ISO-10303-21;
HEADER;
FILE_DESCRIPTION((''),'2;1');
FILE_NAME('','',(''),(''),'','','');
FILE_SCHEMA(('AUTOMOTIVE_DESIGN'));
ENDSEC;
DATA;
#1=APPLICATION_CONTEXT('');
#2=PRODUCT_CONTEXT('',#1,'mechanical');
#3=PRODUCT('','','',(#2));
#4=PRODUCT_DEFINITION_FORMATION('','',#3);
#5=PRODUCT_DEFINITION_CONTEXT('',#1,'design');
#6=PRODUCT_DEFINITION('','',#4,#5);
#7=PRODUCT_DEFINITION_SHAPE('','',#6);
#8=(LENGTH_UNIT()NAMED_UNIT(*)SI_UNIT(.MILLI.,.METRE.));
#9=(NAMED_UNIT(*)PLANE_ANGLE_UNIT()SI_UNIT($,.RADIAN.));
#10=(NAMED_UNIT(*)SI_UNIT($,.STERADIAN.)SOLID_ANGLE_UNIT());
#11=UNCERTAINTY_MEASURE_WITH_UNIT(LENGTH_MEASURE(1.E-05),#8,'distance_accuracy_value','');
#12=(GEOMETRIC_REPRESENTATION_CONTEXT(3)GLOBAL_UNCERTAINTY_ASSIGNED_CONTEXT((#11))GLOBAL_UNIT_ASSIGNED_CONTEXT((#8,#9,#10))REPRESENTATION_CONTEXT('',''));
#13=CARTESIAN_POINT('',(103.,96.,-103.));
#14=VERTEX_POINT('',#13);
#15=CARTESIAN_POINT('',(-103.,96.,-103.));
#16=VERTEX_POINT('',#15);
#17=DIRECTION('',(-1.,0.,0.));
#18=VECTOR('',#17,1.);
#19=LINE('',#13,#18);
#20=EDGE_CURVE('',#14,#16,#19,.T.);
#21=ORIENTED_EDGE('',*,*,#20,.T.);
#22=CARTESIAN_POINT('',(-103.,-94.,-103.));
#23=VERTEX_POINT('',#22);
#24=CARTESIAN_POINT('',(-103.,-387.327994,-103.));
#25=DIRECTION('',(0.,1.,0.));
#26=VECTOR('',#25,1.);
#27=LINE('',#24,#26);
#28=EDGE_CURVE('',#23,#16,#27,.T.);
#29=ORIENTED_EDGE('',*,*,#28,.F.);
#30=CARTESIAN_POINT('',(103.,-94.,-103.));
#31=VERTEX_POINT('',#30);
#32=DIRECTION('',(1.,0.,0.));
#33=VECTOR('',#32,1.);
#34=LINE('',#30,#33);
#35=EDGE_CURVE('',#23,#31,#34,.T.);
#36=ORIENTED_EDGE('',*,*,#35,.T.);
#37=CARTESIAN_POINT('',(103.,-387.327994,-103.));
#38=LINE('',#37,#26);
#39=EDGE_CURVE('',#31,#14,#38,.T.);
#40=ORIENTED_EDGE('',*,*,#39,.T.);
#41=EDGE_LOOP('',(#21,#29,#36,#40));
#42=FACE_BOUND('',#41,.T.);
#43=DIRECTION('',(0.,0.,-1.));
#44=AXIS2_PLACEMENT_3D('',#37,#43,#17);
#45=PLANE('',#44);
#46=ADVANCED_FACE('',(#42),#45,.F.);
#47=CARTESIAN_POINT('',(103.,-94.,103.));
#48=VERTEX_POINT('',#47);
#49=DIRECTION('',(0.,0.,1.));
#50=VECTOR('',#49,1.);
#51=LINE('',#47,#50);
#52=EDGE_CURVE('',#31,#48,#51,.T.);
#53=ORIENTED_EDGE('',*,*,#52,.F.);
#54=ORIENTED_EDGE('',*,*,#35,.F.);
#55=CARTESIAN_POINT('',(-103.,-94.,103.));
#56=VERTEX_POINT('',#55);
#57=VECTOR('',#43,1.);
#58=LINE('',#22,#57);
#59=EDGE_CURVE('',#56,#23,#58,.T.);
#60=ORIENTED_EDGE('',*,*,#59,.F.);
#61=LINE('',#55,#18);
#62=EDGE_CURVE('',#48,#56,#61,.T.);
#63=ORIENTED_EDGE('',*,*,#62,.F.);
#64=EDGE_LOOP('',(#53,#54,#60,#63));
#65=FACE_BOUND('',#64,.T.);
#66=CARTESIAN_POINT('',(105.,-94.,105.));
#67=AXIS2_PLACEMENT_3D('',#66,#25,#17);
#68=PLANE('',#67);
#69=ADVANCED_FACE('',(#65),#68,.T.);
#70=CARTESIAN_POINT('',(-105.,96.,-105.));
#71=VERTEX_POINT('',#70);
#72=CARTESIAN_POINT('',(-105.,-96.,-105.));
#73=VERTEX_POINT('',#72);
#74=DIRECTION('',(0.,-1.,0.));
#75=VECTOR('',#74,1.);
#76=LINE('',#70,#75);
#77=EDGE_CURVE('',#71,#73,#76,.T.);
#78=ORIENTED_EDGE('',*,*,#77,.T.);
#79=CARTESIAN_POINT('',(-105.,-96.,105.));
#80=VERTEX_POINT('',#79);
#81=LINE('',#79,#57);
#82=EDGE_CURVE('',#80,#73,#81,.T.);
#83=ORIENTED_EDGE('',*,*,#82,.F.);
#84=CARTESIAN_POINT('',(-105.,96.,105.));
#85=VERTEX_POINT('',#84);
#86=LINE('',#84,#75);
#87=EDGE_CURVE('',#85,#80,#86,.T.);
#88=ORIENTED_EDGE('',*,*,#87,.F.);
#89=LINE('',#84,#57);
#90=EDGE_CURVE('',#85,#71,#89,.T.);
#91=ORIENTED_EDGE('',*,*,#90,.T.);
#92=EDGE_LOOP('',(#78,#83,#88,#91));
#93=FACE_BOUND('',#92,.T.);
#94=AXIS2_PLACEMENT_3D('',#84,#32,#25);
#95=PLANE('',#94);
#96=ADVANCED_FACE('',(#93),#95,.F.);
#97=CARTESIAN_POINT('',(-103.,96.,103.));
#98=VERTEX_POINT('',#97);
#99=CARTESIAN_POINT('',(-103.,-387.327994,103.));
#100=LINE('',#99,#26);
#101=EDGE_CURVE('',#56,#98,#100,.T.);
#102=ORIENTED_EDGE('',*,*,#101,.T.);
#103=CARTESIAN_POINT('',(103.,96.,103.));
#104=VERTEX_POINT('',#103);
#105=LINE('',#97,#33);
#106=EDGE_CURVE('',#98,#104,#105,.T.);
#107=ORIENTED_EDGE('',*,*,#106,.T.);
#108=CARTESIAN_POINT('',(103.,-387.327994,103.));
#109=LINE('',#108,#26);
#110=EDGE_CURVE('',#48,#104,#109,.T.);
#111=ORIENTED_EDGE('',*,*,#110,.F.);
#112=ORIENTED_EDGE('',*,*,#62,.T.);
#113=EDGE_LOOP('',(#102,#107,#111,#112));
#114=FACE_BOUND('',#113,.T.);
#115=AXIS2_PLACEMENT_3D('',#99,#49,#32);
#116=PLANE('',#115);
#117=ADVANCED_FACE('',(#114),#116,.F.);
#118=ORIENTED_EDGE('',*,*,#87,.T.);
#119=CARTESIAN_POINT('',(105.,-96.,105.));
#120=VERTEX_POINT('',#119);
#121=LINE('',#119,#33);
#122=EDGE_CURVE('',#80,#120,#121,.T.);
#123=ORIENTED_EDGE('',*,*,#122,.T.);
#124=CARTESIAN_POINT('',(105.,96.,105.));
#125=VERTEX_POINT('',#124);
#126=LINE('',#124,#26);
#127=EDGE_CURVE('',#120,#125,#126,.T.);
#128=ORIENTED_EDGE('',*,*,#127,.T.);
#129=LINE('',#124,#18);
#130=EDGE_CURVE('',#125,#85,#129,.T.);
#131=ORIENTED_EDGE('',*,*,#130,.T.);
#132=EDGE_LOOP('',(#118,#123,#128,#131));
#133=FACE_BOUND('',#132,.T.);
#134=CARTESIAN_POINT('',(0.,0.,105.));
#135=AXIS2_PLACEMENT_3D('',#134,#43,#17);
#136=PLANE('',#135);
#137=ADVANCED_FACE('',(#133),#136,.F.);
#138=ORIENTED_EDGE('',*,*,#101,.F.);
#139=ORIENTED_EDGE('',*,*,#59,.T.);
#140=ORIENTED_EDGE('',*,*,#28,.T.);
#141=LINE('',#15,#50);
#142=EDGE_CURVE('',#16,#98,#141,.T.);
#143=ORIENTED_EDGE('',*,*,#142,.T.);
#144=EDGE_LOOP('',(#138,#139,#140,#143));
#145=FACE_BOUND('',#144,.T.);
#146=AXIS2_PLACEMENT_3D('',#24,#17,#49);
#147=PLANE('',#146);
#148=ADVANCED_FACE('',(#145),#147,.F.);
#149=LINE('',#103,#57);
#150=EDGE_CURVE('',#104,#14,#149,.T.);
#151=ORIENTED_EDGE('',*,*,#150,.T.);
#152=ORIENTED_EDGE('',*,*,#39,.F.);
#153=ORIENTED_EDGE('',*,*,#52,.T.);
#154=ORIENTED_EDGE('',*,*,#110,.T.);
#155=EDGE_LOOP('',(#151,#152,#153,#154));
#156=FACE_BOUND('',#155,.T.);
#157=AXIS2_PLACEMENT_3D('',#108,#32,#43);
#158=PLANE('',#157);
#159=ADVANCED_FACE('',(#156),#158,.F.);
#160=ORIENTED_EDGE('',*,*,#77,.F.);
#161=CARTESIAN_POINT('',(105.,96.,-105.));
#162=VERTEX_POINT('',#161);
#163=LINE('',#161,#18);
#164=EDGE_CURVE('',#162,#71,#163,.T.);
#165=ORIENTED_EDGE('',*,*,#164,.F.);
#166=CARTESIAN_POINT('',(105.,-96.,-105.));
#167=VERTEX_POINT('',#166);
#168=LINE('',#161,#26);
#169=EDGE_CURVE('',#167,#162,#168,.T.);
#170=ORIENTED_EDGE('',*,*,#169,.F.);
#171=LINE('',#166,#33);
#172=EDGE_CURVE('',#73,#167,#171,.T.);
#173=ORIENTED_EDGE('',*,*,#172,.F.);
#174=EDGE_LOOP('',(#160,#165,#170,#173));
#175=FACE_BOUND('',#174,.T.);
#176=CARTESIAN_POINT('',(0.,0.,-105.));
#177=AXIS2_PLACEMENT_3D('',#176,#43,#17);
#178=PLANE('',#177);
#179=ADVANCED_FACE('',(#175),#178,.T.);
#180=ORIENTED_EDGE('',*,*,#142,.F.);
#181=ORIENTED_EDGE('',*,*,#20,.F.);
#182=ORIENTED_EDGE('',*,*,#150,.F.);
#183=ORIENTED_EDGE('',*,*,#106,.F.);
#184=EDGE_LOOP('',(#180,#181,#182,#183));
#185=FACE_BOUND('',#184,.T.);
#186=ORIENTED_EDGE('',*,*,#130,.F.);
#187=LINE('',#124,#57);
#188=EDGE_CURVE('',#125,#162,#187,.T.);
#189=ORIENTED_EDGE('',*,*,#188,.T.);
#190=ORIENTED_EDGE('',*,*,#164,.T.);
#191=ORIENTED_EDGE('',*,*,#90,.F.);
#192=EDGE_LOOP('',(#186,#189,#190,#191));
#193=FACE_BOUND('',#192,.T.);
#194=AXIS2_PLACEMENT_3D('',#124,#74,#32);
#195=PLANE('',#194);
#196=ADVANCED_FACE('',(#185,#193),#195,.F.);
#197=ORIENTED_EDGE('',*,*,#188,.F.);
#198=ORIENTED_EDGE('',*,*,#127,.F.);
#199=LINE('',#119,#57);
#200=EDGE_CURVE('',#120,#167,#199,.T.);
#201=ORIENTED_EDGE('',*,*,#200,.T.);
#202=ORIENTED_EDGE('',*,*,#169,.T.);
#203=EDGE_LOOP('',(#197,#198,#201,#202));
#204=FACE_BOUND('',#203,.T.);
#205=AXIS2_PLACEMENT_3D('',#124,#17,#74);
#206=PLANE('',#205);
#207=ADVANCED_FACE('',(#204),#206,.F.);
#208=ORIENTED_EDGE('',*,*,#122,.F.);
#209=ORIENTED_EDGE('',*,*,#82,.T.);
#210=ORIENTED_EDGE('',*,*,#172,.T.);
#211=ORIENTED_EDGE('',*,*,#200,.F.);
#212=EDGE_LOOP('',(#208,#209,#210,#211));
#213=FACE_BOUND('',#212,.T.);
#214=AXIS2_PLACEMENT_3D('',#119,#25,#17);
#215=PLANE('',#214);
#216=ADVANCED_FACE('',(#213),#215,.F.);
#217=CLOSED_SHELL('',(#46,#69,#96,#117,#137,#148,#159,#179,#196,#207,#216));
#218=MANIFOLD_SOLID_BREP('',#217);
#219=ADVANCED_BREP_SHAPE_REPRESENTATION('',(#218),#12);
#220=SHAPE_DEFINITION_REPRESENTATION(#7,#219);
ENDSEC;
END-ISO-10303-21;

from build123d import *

# Parameters (mm, degrees)
SKETCH1_W           = 210
SKETCH1_H           = 192
BOSS_EXTRUDE1_DEPTH = 105
SKETCH2_W           = 206
SKETCH2_H           = 206
CUT_EXTRUDE1_DEPTH  = 190


with BuildPart() as part:
    # Sketch1 → Boss-Extrude1 (new body, symmetric)
    with BuildSketch(Plane.XY):
        Rectangle(SKETCH1_W, SKETCH1_H)
    extrude(amount=BOSS_EXTRUDE1_DEPTH, both=True)

    # Sketch2 → Cut-Extrude1 (cut)
    with BuildSketch(Plane(origin=(0, 96, 0), x_dir=(1, 0, 0), z_dir=(0, 1, 0))):
        Rectangle(SKETCH2_W, SKETCH2_H)
    extrude(amount=-CUT_EXTRUDE1_DEPTH, mode=Mode.SUBTRACT)


solid = part.part
